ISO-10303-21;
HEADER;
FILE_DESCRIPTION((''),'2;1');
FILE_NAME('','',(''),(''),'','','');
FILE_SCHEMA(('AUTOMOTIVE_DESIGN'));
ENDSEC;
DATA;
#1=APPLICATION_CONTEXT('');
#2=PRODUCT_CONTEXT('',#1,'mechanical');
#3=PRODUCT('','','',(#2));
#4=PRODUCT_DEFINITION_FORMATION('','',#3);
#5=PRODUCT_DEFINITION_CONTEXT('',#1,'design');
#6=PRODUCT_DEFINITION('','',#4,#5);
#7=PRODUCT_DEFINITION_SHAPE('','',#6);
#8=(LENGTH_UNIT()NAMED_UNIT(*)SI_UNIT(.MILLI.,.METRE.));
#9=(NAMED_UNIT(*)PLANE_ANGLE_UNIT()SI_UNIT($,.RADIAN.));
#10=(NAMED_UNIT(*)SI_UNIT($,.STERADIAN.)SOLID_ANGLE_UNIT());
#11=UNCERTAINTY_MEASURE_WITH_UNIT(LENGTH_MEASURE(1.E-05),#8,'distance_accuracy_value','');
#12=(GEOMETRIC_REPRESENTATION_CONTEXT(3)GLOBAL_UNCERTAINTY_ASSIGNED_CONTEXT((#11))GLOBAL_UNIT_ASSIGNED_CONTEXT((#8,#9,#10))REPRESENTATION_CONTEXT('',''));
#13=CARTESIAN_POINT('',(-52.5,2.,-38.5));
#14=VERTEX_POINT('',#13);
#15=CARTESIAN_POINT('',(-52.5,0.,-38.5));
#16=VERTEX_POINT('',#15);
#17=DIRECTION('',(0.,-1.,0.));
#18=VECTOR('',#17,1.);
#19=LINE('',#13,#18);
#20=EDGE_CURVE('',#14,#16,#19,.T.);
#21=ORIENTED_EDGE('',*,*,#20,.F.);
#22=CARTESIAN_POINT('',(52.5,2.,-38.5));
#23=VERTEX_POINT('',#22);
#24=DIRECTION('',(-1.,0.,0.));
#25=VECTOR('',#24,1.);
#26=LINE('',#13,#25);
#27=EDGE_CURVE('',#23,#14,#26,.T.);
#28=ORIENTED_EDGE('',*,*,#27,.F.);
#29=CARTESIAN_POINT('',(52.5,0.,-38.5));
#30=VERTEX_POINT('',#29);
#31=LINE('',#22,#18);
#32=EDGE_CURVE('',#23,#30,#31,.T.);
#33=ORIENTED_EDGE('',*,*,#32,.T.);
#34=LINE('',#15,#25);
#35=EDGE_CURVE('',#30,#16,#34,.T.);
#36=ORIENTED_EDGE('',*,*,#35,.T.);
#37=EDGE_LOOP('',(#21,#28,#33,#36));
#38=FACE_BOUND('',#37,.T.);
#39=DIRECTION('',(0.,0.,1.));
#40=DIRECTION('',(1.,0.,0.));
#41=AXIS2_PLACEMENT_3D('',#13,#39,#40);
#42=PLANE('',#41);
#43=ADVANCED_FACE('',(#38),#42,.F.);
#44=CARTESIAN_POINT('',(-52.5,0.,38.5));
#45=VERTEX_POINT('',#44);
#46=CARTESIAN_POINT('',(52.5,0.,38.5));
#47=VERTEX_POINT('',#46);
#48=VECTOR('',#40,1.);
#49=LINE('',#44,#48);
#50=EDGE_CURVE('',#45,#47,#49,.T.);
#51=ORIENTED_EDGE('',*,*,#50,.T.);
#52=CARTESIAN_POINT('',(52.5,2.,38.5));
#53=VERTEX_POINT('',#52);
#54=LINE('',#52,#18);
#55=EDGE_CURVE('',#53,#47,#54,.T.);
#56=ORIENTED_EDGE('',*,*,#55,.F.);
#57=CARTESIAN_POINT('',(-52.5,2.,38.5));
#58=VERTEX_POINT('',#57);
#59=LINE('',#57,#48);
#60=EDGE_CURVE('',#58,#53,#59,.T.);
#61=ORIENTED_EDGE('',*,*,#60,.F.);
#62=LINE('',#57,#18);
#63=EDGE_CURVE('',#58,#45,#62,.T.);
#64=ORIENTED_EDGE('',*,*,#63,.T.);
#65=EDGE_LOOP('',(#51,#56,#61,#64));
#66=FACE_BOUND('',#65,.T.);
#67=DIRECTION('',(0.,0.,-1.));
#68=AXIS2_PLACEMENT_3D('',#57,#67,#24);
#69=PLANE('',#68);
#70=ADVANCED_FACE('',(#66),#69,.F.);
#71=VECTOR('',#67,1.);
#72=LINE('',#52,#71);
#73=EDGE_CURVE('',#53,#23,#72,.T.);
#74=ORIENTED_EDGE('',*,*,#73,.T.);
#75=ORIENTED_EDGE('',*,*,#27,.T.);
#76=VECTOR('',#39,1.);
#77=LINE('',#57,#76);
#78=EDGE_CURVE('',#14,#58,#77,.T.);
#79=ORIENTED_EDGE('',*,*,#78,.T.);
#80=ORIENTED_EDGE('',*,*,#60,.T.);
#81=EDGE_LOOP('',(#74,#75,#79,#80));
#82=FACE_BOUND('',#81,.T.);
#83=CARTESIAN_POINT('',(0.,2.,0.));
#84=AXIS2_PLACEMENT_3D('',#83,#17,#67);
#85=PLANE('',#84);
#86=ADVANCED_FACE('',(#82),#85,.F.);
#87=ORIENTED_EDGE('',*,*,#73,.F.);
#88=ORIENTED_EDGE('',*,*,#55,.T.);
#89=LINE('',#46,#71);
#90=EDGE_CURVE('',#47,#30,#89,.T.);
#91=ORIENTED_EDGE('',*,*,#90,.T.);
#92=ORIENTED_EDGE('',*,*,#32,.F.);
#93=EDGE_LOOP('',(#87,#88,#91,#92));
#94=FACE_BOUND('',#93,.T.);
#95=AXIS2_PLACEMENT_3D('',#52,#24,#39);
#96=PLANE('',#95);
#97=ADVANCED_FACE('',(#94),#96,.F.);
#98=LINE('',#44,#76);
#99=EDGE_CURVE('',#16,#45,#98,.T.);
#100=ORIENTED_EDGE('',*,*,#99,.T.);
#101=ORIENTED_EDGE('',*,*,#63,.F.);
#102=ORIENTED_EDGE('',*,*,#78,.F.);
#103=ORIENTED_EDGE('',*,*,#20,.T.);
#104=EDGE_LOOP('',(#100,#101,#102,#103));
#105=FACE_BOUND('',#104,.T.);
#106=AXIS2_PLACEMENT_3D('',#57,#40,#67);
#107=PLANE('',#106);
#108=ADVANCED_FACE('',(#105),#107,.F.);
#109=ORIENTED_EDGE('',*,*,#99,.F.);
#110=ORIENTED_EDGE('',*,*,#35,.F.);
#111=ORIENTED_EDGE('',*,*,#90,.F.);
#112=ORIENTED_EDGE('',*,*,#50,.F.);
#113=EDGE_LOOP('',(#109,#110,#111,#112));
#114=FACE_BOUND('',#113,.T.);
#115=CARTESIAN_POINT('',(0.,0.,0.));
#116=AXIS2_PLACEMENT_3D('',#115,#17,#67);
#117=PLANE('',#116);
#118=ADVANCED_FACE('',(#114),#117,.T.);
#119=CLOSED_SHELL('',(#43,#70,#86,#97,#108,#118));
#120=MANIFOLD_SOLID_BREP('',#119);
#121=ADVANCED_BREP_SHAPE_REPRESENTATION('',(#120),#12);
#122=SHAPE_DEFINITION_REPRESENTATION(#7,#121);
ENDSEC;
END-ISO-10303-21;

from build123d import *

# Parameters (mm, degrees)
SKETCH2_W           = 105
SKETCH2_H           = 77
BOSS_EXTRUDE1_DEPTH = 2


with BuildPart() as part:
    # Sketch2 → Boss-Extrude1 (new body)
    with BuildSketch(Plane(origin=(0, 0, 0), x_dir=(1, 0, 0), z_dir=(0, 1, 0))):
        Rectangle(SKETCH2_W, SKETCH2_H)
    extrude(amount=BOSS_EXTRUDE1_DEPTH)


solid = part.part
